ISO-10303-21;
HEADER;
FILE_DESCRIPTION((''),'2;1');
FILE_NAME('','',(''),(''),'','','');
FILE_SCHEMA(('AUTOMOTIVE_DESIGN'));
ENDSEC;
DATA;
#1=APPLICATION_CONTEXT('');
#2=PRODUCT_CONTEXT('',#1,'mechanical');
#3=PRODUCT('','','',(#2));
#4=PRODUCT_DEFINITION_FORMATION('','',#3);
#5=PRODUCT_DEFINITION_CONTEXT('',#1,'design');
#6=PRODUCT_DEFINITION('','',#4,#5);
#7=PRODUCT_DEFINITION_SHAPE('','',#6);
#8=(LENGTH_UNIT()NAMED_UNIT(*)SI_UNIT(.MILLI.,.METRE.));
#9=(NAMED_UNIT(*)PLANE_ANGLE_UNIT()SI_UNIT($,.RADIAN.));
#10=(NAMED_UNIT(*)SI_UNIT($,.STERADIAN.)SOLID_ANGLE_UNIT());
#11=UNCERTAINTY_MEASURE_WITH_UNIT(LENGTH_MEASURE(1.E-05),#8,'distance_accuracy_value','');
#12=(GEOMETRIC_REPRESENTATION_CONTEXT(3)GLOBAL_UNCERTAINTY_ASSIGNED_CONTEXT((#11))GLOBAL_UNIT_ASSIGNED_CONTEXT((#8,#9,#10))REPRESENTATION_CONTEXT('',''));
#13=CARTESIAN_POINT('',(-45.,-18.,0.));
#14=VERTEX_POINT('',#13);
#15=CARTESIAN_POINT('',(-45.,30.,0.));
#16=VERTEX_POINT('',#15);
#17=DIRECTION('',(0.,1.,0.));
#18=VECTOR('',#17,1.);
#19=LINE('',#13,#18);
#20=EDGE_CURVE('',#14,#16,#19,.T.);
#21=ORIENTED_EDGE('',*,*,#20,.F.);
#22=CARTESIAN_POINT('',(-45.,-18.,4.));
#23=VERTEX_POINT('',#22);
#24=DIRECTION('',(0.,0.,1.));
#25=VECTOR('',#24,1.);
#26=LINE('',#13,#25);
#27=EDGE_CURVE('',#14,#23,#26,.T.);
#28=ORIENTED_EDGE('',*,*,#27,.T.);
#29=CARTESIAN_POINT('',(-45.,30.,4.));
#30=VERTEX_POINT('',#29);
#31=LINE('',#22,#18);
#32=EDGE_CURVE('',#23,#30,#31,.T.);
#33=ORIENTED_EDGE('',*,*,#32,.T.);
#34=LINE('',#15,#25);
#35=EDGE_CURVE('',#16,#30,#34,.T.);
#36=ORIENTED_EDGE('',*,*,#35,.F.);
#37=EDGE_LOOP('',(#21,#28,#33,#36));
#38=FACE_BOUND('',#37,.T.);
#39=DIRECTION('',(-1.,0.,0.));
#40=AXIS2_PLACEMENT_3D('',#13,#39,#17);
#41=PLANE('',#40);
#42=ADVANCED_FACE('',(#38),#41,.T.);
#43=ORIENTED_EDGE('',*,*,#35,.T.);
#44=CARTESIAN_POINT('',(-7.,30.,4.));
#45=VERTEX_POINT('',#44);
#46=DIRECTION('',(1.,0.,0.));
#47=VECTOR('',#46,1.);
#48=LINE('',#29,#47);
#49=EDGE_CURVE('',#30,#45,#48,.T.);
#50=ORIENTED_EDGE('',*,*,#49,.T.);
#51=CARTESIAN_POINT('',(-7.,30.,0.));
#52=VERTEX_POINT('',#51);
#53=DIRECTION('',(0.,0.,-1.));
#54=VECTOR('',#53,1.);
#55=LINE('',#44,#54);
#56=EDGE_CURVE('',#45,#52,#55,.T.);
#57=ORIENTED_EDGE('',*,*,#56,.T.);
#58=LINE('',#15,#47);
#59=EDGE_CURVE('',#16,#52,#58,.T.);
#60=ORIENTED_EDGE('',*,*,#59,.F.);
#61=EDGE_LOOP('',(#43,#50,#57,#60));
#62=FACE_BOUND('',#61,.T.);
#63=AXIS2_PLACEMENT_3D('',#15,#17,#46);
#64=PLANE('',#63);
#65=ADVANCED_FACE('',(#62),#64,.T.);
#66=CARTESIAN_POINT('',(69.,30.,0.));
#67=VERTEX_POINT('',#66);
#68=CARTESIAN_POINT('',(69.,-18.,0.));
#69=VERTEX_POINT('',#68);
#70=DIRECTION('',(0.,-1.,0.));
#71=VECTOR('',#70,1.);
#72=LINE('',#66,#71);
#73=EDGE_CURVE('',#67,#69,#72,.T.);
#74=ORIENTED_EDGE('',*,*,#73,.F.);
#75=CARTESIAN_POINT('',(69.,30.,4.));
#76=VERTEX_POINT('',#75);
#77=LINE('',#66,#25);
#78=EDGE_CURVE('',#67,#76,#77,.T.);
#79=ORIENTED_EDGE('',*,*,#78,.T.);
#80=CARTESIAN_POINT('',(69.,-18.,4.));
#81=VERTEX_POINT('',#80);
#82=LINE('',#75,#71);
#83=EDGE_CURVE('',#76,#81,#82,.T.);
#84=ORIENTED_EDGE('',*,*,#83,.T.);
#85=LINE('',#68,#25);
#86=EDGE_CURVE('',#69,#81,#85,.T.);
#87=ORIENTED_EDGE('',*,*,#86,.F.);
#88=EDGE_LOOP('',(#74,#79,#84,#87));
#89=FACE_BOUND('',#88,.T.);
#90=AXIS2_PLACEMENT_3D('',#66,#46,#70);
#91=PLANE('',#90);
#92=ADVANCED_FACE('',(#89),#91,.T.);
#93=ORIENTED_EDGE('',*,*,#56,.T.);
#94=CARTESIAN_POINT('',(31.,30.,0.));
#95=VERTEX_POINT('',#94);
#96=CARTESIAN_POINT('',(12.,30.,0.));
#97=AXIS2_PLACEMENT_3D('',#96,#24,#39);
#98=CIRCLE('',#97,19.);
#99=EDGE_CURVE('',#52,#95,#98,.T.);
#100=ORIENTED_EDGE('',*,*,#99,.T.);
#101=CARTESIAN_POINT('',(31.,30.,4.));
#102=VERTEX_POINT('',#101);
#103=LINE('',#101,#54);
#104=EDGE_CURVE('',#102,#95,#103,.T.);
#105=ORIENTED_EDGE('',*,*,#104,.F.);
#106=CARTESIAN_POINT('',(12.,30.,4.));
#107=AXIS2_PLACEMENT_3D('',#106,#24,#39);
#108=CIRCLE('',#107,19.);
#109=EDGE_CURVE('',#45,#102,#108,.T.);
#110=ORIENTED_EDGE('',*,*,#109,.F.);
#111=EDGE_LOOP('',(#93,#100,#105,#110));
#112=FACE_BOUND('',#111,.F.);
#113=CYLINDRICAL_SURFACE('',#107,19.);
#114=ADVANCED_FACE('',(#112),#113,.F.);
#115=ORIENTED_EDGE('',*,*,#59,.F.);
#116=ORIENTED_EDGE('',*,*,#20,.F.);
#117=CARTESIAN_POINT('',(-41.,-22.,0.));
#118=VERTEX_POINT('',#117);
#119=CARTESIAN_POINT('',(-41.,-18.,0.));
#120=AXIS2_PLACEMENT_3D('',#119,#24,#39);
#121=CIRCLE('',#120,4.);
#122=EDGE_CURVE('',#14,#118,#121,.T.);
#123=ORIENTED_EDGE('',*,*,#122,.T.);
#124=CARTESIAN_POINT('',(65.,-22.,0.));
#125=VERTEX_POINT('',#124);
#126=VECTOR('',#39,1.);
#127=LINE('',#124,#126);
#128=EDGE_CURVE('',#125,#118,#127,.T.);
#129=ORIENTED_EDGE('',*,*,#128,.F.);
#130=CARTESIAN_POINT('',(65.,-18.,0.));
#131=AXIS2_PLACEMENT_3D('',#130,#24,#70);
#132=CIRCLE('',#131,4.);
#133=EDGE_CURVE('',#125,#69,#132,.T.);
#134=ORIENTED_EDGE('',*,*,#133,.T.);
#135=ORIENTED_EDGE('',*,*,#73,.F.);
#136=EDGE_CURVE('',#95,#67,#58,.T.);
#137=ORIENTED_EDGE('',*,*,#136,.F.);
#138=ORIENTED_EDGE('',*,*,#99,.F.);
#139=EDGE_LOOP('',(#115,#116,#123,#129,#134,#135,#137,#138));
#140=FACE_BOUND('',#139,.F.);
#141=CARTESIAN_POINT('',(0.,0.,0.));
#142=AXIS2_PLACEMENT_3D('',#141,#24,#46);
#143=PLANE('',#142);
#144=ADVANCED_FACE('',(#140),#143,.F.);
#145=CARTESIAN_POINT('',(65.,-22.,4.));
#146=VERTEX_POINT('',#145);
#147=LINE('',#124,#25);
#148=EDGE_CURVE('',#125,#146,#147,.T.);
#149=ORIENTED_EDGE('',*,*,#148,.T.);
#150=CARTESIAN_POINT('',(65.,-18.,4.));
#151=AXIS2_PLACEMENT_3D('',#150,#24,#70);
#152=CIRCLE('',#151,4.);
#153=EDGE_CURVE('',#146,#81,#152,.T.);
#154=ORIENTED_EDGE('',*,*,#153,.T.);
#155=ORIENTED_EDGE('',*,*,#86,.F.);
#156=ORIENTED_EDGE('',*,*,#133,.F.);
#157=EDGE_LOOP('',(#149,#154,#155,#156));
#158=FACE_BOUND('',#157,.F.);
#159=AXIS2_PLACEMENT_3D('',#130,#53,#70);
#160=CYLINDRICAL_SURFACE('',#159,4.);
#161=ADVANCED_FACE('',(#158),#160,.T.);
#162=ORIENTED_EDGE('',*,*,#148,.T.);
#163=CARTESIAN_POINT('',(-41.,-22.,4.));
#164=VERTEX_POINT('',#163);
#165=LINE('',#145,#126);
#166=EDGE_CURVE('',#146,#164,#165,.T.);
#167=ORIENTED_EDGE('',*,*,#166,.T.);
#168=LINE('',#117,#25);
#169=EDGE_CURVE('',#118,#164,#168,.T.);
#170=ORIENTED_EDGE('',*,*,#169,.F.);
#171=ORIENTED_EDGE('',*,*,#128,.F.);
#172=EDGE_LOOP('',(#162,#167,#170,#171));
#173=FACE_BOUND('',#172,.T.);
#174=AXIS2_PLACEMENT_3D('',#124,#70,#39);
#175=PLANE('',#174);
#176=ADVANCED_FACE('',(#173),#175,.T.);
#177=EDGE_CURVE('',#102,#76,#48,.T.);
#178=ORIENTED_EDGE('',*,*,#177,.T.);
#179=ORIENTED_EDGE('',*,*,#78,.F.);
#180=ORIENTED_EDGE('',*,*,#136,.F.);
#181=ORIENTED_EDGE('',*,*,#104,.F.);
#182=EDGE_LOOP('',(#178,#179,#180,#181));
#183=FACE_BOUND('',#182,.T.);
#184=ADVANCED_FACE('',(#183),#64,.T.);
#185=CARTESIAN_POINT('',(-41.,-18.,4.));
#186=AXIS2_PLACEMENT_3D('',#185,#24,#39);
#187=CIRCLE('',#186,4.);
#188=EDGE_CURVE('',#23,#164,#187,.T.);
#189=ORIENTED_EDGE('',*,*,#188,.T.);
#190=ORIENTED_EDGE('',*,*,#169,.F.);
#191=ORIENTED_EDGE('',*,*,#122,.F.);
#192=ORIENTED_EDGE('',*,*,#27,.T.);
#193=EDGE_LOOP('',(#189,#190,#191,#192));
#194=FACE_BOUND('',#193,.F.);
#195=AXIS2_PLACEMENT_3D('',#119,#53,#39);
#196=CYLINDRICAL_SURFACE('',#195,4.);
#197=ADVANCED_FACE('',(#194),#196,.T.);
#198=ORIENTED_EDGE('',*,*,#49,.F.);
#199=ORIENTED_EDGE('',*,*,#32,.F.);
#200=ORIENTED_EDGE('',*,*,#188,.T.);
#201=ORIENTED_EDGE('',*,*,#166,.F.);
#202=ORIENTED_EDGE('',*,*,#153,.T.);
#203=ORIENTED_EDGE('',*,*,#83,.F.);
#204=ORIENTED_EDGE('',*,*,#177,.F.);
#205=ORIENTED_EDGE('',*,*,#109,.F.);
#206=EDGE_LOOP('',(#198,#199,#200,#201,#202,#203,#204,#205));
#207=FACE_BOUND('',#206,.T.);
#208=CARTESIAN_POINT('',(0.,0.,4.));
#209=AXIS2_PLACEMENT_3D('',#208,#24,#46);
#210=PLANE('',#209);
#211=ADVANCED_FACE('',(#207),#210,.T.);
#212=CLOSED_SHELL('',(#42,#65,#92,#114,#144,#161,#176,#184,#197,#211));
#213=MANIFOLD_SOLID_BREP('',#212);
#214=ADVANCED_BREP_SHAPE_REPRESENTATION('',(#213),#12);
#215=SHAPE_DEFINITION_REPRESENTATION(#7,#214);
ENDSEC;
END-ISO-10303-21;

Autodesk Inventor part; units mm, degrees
ref_plane "YZ Plane" through (0, 0, 0) normal (1, 0, 0) x (0, 1, 0)
ref_plane "XZ Plane" through (0, 0, 0) normal (0, 1, 0) x (-1, 0, 0)
ref_plane "XY Plane" through (0, 0, 0) normal (0, 0, 1) x (1, 0, 0)
sketch "Sketch1" plane through (0, 0, 0) normal (0, 0, 1) x (1, 0, 0)
  line L0 (-45, 30) -> (69, 30)
  line L1 (69, 30) -> (69, -18)
  line L2 (65, -22) -> (-41, -22)
  line L3 (-45, -18) -> (-45, 30)
  arc A0 (-45, -18) -> (-41, -22) centre (-41, -18) ccw
  arc A1 (65, -22) -> (69, -18) centre (65, -18) ccw
  point P0 (0, 0)
  dimension "d0" = 114
  dimension "d1" = 4
  dimension "d2" = 4
  dimension "d3" = 52
extrude "Plate1" add sketch "Sketch1" along normal blind 4
sketch "Sketch2" plane through (0, 0, 4) normal (0, 0, 1) x (1, 0, 0)
  line L0 (69, 30) -> (-45, 30) projected
  arc A0 (-7, 30) -> (31, 30) centre (12, 30) ccw
  point P0 (0, 0)
  dimension "d5" = 38
extrude "Extrusion1" cut sketch "Sketch2" against normal through all
equation "\"d4\" = Thickness"
equation "\"BendRadius\" = Thickness"
equation "\"BendReliefWidth\" = Thickness"
equation "\"BendReliefDepth\" = 0.5 * Thickness"
equation "\"CornerReliefSize\" = 4 * Thickness"
equation "\"MinimumRemnant\" = 2 * Thickness"
equation "\"TransitionRadius\" = BendRadius"
equation "\"JacobiRadiusSize\" = BendRadius"
equation "\"GapSize\" = Thickness"
equation "\"Thickness\" = 4"
properties part number "Bottom joint housing cover top back_ final"
